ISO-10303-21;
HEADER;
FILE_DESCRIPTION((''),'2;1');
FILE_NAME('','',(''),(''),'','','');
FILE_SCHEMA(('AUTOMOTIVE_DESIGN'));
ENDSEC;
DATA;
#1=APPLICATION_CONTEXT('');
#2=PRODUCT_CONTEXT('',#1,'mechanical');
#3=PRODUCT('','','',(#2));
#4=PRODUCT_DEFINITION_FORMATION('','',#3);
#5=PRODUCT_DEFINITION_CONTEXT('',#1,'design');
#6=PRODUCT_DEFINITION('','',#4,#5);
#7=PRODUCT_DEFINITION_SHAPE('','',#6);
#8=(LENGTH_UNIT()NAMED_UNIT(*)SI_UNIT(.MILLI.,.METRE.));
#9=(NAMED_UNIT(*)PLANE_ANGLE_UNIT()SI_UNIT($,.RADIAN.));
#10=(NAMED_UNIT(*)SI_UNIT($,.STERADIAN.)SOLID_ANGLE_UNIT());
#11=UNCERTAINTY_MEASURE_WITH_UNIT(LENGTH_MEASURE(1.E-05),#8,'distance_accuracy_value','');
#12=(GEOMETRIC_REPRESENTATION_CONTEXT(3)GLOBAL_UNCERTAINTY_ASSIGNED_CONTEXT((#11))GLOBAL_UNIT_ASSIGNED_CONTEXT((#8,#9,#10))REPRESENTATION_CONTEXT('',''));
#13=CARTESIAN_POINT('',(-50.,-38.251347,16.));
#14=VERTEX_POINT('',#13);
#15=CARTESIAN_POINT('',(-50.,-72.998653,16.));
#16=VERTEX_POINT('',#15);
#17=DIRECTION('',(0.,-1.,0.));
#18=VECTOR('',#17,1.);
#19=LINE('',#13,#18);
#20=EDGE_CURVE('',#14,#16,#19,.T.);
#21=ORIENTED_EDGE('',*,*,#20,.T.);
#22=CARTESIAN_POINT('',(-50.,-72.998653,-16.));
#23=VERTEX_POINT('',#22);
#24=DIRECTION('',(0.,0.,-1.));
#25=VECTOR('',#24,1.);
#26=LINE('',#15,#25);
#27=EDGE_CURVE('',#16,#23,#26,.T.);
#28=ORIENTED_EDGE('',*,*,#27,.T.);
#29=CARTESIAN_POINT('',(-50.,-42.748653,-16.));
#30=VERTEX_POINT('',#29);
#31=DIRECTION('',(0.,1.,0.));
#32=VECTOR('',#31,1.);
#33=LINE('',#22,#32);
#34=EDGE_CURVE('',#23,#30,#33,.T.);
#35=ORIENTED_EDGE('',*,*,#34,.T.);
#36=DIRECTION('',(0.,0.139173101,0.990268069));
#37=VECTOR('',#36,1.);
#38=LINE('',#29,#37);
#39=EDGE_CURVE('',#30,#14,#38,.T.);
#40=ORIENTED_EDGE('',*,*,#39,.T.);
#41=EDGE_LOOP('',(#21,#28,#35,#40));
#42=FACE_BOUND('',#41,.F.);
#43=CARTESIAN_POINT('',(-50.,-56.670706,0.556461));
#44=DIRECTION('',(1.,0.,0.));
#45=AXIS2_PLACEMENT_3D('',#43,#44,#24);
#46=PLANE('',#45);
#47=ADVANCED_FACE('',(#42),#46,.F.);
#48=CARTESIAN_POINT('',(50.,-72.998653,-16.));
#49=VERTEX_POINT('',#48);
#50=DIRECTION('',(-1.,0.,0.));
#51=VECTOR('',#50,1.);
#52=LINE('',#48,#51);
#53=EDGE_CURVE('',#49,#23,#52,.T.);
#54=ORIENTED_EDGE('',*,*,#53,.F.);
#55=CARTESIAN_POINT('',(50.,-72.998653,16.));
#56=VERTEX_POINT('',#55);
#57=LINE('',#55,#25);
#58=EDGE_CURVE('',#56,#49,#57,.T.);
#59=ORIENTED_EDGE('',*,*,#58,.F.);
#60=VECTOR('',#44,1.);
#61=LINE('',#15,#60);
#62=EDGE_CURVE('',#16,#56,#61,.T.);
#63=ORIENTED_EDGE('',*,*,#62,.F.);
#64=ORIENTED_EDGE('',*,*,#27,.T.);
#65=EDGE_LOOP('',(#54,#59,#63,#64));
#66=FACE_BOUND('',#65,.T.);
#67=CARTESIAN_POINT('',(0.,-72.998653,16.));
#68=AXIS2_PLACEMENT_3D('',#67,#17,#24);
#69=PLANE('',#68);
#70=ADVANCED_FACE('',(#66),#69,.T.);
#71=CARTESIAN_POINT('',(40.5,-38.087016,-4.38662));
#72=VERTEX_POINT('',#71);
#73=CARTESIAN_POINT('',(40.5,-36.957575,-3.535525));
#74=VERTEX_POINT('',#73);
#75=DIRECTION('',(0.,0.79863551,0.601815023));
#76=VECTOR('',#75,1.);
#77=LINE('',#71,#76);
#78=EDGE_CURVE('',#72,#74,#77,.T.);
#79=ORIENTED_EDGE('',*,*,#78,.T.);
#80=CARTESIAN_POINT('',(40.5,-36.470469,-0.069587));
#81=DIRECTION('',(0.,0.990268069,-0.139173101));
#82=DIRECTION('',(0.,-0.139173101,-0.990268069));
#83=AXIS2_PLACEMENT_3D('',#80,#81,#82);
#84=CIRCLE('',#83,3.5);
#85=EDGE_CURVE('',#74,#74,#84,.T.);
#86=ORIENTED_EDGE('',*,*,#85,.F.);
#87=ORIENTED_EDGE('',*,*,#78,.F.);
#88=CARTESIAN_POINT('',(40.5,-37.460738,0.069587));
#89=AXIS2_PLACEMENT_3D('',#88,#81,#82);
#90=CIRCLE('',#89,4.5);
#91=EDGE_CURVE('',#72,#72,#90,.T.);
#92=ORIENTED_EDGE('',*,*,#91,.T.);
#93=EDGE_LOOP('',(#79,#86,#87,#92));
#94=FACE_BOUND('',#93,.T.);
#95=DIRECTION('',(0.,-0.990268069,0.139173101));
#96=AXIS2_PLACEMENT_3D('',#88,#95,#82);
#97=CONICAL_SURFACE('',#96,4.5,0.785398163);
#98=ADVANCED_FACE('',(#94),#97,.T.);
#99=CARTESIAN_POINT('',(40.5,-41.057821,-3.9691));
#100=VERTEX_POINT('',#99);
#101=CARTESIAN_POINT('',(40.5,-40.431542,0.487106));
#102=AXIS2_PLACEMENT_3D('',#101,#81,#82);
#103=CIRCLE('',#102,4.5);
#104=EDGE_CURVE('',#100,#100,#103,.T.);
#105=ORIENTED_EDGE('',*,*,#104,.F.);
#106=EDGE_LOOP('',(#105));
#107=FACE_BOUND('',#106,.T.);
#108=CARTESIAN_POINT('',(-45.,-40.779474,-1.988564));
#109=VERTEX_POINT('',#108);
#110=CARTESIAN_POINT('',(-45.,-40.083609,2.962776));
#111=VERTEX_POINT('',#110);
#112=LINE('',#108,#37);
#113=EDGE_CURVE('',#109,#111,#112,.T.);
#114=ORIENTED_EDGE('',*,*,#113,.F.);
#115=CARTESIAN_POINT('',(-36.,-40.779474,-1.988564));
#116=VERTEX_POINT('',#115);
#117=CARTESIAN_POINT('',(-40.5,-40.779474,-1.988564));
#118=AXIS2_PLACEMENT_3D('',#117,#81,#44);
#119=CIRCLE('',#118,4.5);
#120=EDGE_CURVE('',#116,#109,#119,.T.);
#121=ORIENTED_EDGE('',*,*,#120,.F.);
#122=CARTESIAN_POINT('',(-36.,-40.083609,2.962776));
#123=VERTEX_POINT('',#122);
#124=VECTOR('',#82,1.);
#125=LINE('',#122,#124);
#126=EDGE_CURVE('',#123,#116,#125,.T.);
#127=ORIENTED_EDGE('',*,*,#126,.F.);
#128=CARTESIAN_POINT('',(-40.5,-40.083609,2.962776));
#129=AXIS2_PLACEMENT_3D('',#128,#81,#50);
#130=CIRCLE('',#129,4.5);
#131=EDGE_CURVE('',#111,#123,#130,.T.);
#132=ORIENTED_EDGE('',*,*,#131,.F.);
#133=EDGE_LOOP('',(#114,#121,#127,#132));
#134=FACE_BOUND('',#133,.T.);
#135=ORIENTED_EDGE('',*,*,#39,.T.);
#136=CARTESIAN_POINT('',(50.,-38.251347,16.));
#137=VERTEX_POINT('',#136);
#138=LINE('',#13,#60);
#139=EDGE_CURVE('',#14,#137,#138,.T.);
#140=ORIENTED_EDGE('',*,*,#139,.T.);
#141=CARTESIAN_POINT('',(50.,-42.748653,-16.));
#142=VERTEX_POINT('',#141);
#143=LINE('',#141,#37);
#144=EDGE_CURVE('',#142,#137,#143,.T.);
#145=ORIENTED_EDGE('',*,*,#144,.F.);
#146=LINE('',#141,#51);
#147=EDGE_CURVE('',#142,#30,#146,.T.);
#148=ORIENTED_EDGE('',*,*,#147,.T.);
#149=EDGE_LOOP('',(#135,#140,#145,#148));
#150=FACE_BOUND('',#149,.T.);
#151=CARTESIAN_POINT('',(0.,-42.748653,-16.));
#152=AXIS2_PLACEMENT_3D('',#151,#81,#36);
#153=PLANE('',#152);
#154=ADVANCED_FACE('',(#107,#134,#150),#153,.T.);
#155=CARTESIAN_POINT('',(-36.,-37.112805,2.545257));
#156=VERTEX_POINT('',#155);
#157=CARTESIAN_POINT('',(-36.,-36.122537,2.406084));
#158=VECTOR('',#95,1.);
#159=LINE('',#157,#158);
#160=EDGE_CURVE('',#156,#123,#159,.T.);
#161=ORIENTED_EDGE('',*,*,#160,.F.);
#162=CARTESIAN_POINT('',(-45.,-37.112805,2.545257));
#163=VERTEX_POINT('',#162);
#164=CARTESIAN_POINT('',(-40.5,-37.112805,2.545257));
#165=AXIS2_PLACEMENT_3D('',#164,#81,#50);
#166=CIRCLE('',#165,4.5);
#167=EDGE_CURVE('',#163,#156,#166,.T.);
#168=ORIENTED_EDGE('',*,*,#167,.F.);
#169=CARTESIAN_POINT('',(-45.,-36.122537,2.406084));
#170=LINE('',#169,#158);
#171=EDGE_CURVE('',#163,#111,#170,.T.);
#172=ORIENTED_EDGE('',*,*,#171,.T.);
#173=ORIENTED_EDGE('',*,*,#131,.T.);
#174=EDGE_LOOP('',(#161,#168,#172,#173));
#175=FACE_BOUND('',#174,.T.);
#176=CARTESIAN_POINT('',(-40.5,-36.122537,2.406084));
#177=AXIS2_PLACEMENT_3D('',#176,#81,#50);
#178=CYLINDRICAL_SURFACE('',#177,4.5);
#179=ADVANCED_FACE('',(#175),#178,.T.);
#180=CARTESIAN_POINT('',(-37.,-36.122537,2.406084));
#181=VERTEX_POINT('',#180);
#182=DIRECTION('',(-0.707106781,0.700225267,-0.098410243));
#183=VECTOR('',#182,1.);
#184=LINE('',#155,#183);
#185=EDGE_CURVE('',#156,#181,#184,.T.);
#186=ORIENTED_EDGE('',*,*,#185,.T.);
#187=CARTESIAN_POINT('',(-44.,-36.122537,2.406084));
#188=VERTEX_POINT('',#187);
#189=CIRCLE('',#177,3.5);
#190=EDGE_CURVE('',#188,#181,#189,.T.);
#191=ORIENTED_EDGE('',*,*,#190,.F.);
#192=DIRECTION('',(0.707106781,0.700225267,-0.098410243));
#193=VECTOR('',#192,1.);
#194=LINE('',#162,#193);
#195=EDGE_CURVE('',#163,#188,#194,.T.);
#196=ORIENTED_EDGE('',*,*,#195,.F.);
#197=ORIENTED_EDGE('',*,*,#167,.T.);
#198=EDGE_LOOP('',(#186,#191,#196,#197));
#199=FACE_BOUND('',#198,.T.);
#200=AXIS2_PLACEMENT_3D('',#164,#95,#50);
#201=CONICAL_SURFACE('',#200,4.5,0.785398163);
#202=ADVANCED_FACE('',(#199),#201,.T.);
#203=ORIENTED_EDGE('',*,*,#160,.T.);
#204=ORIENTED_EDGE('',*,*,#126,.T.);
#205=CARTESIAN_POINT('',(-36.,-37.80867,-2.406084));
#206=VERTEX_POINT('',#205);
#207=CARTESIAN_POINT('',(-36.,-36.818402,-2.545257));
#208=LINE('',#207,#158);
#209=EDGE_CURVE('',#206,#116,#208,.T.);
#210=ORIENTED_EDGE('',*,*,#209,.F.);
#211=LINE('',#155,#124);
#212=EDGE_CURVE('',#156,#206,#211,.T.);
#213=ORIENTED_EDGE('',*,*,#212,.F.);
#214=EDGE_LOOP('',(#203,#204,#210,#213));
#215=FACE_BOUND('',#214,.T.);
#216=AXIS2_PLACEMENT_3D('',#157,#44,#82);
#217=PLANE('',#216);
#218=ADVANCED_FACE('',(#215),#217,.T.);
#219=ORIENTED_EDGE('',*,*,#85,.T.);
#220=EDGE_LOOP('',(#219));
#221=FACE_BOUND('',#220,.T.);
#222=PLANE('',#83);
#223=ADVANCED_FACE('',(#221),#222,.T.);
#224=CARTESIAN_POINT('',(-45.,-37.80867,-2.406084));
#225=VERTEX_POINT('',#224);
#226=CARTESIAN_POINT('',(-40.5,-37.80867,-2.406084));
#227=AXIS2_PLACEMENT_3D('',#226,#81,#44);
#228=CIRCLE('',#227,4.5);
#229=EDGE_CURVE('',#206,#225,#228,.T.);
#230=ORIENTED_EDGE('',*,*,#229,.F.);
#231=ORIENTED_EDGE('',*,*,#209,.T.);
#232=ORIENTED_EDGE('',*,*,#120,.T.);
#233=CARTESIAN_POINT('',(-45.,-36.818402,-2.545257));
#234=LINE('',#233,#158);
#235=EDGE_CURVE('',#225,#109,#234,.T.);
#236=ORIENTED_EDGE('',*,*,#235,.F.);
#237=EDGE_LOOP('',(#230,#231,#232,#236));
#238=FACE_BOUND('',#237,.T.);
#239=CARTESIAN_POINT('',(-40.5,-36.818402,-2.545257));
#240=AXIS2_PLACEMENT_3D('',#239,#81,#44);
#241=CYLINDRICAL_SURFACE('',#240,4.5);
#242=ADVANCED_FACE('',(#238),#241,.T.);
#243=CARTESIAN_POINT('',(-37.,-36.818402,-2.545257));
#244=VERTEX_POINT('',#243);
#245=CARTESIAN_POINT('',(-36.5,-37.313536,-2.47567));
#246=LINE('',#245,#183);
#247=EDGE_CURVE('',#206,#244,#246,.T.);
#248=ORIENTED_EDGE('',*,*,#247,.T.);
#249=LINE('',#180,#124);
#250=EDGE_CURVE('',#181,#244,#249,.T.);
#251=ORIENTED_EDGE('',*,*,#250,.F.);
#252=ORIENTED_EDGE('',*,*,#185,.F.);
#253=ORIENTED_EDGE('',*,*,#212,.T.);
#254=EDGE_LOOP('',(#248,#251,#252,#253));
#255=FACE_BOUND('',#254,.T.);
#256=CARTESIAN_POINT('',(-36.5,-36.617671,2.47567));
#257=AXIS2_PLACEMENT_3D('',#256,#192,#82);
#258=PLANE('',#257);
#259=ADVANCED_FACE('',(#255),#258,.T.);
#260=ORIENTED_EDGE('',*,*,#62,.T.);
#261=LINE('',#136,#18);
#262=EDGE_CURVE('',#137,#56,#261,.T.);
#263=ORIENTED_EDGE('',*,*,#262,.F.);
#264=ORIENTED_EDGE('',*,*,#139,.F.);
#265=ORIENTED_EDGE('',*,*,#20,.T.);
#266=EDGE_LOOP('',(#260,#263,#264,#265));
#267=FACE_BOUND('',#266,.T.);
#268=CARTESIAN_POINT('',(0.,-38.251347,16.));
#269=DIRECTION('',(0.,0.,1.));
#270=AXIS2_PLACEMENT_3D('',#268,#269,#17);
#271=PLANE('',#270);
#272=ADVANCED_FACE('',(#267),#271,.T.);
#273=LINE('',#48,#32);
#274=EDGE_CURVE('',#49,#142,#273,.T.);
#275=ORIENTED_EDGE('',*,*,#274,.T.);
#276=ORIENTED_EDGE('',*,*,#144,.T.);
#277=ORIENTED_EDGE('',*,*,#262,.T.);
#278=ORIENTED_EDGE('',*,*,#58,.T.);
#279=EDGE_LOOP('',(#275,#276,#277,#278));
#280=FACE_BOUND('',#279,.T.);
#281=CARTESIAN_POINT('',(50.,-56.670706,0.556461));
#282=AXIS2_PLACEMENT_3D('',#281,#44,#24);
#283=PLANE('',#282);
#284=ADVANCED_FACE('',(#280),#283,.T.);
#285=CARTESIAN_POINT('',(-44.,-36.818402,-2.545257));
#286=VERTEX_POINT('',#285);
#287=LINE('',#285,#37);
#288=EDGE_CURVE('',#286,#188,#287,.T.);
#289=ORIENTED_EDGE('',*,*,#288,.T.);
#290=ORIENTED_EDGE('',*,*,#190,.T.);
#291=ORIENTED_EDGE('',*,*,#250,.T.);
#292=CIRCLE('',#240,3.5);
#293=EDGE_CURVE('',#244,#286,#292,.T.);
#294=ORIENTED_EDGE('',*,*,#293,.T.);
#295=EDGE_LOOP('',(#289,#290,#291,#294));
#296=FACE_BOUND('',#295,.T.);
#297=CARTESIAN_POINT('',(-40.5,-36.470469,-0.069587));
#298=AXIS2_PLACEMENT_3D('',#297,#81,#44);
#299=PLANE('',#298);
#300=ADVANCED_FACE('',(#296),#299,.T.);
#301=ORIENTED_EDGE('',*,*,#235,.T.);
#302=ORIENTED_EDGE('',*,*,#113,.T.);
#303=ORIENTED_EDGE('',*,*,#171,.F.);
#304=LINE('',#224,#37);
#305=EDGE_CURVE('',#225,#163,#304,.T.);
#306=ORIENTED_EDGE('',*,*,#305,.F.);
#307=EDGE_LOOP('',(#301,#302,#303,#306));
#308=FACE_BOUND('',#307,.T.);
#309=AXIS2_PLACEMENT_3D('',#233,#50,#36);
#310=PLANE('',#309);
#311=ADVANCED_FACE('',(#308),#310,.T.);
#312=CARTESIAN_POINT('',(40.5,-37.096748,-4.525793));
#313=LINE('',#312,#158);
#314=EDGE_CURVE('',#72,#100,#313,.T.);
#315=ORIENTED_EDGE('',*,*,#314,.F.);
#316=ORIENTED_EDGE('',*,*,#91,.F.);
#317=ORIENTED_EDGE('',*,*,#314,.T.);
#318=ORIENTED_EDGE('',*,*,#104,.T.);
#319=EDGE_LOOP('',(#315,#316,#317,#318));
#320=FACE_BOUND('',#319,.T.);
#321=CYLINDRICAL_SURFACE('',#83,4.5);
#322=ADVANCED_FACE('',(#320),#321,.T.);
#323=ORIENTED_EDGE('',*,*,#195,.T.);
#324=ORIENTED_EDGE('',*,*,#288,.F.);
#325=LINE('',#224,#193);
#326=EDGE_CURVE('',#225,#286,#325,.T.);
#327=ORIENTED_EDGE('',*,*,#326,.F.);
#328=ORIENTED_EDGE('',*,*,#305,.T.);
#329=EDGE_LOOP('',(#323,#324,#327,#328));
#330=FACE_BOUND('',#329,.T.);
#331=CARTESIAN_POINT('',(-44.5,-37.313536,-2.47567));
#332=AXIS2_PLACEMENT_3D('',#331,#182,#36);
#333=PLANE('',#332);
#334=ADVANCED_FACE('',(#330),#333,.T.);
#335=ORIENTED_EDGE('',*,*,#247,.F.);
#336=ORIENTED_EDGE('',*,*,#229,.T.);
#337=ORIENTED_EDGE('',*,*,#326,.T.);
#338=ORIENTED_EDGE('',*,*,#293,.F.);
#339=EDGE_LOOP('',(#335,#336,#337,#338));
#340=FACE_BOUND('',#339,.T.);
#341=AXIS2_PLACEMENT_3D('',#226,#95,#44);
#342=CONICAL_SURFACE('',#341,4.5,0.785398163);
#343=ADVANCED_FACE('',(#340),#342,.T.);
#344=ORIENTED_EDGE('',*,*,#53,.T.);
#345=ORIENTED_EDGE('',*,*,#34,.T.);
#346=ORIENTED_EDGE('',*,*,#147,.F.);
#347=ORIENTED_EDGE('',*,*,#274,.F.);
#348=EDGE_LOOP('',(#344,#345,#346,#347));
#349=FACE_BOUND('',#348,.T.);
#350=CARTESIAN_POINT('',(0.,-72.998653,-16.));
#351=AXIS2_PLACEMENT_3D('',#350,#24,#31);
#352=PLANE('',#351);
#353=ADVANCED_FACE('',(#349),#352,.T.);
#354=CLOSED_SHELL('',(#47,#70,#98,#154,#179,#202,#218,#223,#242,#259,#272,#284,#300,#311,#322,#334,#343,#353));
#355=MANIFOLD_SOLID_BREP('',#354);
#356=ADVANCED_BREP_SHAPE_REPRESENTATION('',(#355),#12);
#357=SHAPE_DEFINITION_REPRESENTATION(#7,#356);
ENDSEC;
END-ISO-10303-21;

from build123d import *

# Parameters (mm, degrees)
EXTRUDE_1_DEPTH     = 16
CUT_EXTRUDE_1_DEPTH = 50
EXTRUDE_2_DEPTH     = 28.5
SKETCH_4_R          = 4.5
CUT_EXTRUDE_2_DEPTH = 28.5
EXTRUDE_3_DEPTH     = 50
EXTRUDE_START       = 4
SKETCH_6_R          = 4.5
EXTRUDE_4_DEPTH     = 4
CUT_EXTRUDE_3_DEPTH = 60
CHAMFER_1_SIZE      = 1


with BuildPart() as part:
    # 草图1 → 凸台-拉伸1 (new, symmetric)
    with BuildSketch(Plane.XY):
        with BuildLine():
            Line((-17, 0), (-17, -66.86388681))
            Line((-17, -66.86388681), (-20.5, -66.86388681))
            Line((-20.5, -66.86388681), (-20.5, 0))
            ThreePointArc((-20.5, 0), (0, 20.5), (20.5, 0))
            Line((20.5, 0), (20.5, -66.86388681))
            Line((20.5, -66.86388681), (17, -66.86388681))
            Line((17, -66.86388681), (17, 0))
            ThreePointArc((17, 0), (0, 17), (-17, 0))
        make_face()
    extrude(amount=EXTRUDE_1_DEPTH, both=True)

    # 草图2 → 切除-拉伸1 (cut, symmetric)
    with BuildSketch(Plane(origin=(0, 0, 0), x_dir=(0, 0, -1), z_dir=(1, 0, 0))):
        Polygon((16, -42.748653355), (-16, -38.251346645), (-16, -66.86388681), (16, -66.86388681), align=None)
    extrude(amount=CUT_EXTRUDE_1_DEPTH, both=True, mode=Mode.SUBTRACT)

    # 草图3 → 凸台-拉伸2 (add)
    with BuildSketch(Plane.ZY.offset(20.5)):
        Polygon((-16, -42.748653355), (16, -38.251346645), (16, -34.716950141), (-16, -39.214256851), align=None)
    extrude_2 = extrude(amount=EXTRUDE_2_DEPTH)

    # 镜向1: 凸台-拉伸2 across plane
    add(extrude_2.mirror(Plane(origin=(0, 0, 0), x_dir=(0, 0, 1), z_dir=(1, 0, 0))))

    # 草图4 → 切除-拉伸2 (cut)
    with BuildSketch(Plane(origin=(0, -36.249611102, 5.094550602), x_dir=(1, 0, 0), z_dir=(0, 0.9902680687415715, -0.13917310096005808))):
        with Locations(Location((40.5, 5.144617667, 0), (0, 0, 270))):
            Circle(SKETCH_4_R)
        with BuildLine():
            Line((-36, 7.644617667), (-36, 2.644617667))
            ThreePointArc((-36, 2.644617667), (-40.5, -1.855382333), (-45, 2.644617667))
            Line((-45, 2.644617667), (-45, 7.644617667))
            ThreePointArc((-45, 7.644617667), (-40.5, 12.144617667), (-36, 7.644617667))
        make_face()
    extrude(amount=-CUT_EXTRUDE_2_DEPTH, mode=Mode.SUBTRACT)

    # 草图8 → 切除-拉伸3 (cut, symmetric)
    with BuildSketch(Plane(origin=(0, 0, 0), x_dir=(0, 0, -1), z_dir=(1, 0, 0))):
        Polygon((16, -42.748653355), (-16, -38.251346645), (-16, 32.293524638), (16, 32.293524638), align=None)
    extrude(amount=CUT_EXTRUDE_3_DEPTH, both=True, mode=Mode.SUBTRACT)


with BuildPart() as body_2:
    # 草图5 → 凸台-拉伸3 (new, symmetric)
    with BuildSketch(Plane(origin=(0, 0, 0), x_dir=(0, 0, -1), z_dir=(1, 0, 0))):
        Polygon((16, -42.748653355), (-16, -38.251346645), (-16, -72.998653355), (16, -72.998653355), align=None)
    extrude(amount=EXTRUDE_3_DEPTH, both=True)

    # 草图6 → 凸台-拉伸4 (add)
    with BuildSketch(Plane(origin=(0, -39.715549343, 5.581656455), x_dir=(1, 0, 0), z_dir=(0, 0.9902680687415714, -0.139173100960058)).offset(EXTRUDE_START)):
        with Locations(Location((40.5, 5.144617667, 0), (0, 0, 90))):
            Circle(SKETCH_6_R)
        with BuildLine():
            Line((-36, 2.644617667), (-36, 7.644617667))
            ThreePointArc((-36, 7.644617667), (-40.5, 12.144617667), (-45, 7.644617667))
            Line((-45, 7.644617667), (-45, 2.644617667))
            ThreePointArc((-45, 2.644617667), (-40.5, -1.855382333), (-36, 2.644617667))
        make_face()
    extrude(amount=-EXTRUDE_4_DEPTH)

    # 倒角1
    chamfer_1_edges = [body_2.edges().sort_by_distance(p)[0] for p in [
        (-40.5, -35.496257755, 6.862289931),
        (-36, -36.470469462, -0.06958655),
        (-40.5, -37.444681169, -7.001463032),
        (-45, -36.470469462, -0.06958655),
        (40.5, -35.844190507, 4.386619759),
    ]]
    chamfer(chamfer_1_edges, length=CHAMFER_1_SIZE)


solid = body_2.part
